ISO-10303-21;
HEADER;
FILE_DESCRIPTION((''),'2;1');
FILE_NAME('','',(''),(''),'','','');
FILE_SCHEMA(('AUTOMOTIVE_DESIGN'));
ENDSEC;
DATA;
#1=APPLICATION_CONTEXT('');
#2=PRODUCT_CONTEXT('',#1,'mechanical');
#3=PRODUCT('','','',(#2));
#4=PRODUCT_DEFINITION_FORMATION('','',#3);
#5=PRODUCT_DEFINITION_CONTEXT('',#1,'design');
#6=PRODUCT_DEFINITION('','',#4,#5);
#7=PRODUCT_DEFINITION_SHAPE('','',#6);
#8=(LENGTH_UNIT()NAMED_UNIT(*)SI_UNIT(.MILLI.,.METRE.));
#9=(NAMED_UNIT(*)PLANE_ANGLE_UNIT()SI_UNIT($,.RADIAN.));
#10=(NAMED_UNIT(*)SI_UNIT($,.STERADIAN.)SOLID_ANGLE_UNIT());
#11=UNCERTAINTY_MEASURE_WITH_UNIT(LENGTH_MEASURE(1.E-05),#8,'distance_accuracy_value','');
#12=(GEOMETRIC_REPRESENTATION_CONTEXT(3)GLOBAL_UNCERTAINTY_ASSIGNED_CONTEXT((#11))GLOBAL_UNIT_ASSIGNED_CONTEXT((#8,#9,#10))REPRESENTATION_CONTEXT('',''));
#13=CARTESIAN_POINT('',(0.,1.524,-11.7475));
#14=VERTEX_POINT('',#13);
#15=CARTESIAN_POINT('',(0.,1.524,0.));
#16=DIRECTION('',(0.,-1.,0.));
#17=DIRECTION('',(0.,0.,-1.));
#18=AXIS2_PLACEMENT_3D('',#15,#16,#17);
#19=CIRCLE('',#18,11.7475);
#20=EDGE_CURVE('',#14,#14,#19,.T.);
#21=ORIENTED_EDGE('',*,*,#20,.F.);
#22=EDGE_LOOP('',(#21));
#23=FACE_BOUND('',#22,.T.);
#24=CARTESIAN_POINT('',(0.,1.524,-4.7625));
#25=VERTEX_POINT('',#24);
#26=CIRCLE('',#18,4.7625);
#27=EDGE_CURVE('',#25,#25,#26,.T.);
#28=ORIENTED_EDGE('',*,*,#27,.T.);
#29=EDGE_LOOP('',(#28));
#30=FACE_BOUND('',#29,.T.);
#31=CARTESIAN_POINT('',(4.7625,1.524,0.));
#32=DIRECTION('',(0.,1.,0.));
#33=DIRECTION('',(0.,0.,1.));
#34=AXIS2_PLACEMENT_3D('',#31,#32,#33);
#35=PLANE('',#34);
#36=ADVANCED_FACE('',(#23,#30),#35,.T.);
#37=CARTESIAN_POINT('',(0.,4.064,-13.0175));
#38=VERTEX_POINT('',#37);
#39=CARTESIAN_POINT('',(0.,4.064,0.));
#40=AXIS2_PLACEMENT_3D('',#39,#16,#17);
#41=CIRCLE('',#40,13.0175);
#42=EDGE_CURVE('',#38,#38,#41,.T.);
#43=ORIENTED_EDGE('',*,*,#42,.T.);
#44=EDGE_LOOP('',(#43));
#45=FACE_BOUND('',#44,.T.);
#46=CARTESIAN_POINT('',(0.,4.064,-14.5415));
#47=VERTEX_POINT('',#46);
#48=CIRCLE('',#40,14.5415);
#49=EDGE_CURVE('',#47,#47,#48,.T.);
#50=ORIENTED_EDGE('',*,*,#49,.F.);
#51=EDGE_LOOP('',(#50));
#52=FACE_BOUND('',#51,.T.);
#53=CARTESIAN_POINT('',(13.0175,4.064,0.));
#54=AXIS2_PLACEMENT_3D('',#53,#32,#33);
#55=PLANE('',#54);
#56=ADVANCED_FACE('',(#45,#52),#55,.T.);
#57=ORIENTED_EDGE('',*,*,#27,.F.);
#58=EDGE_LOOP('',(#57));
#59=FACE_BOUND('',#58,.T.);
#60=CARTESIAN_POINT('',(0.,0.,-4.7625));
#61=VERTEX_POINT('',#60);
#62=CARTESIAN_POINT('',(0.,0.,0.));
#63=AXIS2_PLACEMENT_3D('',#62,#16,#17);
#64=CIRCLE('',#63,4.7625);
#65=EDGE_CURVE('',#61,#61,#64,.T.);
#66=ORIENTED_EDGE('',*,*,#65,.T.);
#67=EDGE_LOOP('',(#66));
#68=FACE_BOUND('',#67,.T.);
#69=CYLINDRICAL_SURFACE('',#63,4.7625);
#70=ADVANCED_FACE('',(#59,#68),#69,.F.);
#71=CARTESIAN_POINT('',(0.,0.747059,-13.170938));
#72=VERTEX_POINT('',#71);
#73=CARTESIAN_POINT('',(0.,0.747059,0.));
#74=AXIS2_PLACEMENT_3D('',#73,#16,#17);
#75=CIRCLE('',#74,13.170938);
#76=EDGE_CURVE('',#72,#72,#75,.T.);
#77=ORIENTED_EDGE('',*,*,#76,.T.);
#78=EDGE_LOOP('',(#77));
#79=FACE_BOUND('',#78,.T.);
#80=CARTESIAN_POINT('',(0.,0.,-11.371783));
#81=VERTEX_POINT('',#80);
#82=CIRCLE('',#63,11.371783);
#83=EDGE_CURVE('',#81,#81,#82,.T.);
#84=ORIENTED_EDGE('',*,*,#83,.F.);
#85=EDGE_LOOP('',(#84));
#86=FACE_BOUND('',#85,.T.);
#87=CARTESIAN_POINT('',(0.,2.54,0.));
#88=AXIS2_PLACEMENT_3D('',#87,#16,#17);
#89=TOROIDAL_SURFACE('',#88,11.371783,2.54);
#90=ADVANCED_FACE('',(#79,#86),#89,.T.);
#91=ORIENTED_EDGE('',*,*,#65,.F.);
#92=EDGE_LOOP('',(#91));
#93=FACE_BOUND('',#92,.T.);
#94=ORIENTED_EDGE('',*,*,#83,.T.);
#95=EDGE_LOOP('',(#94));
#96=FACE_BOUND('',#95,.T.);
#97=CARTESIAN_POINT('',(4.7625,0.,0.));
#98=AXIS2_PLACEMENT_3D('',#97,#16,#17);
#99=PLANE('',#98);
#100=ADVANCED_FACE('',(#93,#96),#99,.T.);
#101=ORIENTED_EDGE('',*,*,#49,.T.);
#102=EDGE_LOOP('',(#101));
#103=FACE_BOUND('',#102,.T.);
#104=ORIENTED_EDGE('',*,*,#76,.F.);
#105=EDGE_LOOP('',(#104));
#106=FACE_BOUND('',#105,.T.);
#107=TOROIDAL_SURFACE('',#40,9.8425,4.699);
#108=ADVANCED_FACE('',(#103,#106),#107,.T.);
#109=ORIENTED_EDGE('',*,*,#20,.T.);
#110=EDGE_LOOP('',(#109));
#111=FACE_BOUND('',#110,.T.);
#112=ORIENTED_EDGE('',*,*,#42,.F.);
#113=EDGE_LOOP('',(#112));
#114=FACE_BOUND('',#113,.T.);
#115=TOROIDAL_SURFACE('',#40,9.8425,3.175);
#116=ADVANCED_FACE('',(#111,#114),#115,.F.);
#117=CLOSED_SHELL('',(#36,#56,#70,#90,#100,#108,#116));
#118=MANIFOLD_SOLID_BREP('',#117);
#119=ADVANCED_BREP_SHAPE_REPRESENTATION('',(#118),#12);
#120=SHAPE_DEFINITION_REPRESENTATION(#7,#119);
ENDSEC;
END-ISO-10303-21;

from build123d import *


with BuildPart() as part:
    # Sketch2 → Revolve1 (revolve)
    with BuildSketch(Plane.XY):
        with BuildLine():
            Line((4.7625, 0), (11.371782512, 0))
            ThreePointArc((11.371782512, 0), (12.345828047, 0.194187711), (13.170938407, 0.747058824))
            ThreePointArc((13.170938407, 0.747058824), (14.185363864, 2.26952669), (14.5415, 4.064))
            Line((14.5415, 4.064), (13.0175, 4.064))
            ThreePointArc((13.0175, 4.064), (12.682306331, 2.644096834), (11.7475, 1.524))
            Line((11.7475, 1.524), (4.7625, 1.524))
            Line((4.7625, 1.524), (4.7625, 0))
        make_face()
    revolve(axis=Axis((0, 0, 0), (0, 1, 0)))


solid = part.part
